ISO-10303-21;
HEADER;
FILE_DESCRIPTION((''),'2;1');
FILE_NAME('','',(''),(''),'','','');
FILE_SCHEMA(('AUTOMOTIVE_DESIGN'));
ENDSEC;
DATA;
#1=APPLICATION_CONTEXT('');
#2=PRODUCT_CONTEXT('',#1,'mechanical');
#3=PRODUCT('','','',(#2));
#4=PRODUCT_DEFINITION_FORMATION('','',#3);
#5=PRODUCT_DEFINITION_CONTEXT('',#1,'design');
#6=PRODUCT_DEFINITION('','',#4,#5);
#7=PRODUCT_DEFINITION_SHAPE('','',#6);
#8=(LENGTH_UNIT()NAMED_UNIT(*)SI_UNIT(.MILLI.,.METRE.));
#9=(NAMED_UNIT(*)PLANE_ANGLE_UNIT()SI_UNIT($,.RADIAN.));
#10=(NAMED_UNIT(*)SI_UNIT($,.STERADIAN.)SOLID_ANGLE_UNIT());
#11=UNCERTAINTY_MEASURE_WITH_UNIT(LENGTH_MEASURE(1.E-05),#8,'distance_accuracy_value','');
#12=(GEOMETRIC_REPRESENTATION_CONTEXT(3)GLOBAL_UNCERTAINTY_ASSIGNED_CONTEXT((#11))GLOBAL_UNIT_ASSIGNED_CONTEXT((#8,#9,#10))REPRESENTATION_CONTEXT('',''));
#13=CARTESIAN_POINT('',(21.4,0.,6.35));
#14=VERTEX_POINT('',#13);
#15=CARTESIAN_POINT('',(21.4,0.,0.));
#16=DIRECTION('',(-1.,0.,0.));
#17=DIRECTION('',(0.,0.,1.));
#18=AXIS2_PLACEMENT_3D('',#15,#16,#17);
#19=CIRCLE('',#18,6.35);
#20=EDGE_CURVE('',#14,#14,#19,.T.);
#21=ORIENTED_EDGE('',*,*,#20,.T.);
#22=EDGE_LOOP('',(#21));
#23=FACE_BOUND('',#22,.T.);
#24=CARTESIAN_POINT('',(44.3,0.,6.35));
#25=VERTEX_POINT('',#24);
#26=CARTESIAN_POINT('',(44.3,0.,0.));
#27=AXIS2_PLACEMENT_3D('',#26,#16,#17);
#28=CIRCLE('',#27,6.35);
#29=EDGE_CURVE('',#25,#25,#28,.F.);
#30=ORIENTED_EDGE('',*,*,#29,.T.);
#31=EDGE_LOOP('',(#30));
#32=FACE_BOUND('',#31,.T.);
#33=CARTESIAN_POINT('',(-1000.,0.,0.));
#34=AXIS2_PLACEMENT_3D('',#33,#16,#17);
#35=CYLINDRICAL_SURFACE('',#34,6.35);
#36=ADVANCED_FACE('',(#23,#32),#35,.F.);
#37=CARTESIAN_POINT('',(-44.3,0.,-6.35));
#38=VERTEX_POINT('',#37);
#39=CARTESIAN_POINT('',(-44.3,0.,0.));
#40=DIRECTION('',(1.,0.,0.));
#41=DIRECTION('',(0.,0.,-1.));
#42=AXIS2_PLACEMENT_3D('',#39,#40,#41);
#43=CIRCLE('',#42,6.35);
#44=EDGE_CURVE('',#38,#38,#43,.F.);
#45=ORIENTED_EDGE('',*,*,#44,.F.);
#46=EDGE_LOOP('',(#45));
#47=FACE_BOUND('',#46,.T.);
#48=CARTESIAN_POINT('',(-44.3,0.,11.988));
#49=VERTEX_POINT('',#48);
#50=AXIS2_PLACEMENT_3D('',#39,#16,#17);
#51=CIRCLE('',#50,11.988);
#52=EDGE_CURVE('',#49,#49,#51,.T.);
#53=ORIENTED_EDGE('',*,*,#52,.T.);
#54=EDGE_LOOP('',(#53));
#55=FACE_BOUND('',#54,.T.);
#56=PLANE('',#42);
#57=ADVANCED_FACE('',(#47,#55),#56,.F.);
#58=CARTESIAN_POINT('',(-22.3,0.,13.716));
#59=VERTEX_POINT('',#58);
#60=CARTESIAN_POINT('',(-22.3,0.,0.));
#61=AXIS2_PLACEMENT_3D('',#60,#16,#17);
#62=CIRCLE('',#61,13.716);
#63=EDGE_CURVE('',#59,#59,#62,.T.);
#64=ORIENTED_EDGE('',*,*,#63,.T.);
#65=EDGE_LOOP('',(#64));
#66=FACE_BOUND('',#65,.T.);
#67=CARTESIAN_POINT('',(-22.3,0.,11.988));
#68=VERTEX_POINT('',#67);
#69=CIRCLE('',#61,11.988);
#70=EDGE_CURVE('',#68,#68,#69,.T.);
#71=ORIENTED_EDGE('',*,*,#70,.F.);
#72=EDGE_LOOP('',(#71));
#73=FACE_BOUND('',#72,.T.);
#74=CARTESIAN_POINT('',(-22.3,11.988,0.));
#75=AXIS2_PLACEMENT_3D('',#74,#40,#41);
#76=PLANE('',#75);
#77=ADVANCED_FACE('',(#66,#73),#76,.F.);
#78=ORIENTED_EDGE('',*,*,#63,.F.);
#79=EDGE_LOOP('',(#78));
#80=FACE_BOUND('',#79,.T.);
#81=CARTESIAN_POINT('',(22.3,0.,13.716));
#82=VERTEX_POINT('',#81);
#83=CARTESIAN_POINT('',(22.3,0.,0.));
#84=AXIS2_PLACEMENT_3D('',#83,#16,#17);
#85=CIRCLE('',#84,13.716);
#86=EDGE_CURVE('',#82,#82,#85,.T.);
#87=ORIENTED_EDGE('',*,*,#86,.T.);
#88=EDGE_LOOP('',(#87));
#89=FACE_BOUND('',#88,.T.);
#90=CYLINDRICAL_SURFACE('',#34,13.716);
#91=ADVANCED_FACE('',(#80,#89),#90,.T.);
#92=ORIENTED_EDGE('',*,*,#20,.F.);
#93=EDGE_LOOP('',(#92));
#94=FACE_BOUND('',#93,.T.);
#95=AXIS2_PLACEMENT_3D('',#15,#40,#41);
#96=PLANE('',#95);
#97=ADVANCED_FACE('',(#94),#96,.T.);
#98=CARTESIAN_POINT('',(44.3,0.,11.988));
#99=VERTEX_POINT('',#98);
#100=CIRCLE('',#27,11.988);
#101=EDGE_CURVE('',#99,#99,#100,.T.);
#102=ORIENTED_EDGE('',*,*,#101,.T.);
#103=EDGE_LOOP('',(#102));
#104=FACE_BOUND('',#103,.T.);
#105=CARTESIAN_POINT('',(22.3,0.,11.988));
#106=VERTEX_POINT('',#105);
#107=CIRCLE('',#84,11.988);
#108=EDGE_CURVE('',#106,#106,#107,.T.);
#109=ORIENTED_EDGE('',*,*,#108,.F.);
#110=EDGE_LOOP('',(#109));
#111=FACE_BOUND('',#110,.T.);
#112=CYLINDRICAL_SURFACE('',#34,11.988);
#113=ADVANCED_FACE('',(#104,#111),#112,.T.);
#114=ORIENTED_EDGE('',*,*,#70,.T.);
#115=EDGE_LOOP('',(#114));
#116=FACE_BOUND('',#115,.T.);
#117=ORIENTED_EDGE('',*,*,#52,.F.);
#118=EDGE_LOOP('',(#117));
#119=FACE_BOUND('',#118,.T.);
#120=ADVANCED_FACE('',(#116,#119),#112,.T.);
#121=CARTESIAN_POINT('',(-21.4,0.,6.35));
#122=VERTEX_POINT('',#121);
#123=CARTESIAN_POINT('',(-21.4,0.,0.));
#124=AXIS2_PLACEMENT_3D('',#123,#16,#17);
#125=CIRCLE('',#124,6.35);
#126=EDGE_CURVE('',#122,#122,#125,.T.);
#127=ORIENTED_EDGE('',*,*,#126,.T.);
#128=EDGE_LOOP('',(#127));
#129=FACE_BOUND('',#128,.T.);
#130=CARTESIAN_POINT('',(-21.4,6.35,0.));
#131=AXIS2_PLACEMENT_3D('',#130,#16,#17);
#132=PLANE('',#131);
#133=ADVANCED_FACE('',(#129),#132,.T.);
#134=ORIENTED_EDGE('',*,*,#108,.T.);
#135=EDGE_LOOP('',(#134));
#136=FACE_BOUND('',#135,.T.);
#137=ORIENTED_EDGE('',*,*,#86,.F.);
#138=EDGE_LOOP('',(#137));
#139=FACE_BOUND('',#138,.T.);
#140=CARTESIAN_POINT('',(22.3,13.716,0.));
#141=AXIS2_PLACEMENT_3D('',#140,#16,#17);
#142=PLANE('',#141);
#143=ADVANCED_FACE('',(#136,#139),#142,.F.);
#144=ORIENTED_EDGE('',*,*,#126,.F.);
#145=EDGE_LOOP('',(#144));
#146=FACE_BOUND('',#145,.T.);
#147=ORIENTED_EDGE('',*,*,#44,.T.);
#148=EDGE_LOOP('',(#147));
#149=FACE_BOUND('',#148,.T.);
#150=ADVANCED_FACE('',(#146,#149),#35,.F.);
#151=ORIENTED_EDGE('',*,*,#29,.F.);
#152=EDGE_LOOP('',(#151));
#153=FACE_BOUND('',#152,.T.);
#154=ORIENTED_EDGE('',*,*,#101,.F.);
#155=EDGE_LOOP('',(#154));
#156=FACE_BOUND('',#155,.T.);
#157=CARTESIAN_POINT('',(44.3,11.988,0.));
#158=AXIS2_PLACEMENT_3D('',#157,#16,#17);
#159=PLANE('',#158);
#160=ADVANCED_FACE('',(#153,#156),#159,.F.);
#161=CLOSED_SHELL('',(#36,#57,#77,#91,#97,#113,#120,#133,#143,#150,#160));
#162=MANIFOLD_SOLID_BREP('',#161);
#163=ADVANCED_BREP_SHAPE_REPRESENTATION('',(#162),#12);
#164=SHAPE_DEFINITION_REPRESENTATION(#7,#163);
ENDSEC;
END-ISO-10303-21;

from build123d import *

# Parameters (mm, degrees)
SOCKET_1_SKETCH_W = 23.9
SOCKET_1_SKETCH_H = 6.35
SOCKET_2_SKETCH_W = 23.9
SOCKET_2_SKETCH_H = 6.35


with BuildPart() as part:
    # Filter_F1 Sketch → Filter_F1 (revolve)
    with BuildSketch(Plane.XY):
        Polygon((-44.3, 0), (-44.3, 11.988), (-22.3, 11.988), (-22.3, 13.716), (22.3, 13.716), (22.3, 11.988), (44.3, 11.988), (44.3, 0), align=None)
    revolve(axis=Axis((-1000, 0, 0), (1, 0, 0)))

    # Socket 1 Sketch → Socket 1 (revolve, cut)
    with BuildSketch(Plane.XY):
        with Locations((-33.35, 3.175)):
            Rectangle(SOCKET_1_SKETCH_W, SOCKET_1_SKETCH_H)
    revolve(axis=Axis((-1000, 0, 0), (1, 0, 0)), mode=Mode.SUBTRACT)

    # Socket 2 Sketch → Socket 2 (revolve, cut)
    with BuildSketch(Plane.XY):
        with Locations((33.35, 3.175)):
            Rectangle(SOCKET_2_SKETCH_W, SOCKET_2_SKETCH_H)
    revolve(axis=Axis((-1000, 0, 0), (1, 0, 0)), mode=Mode.SUBTRACT)


solid = part.part
